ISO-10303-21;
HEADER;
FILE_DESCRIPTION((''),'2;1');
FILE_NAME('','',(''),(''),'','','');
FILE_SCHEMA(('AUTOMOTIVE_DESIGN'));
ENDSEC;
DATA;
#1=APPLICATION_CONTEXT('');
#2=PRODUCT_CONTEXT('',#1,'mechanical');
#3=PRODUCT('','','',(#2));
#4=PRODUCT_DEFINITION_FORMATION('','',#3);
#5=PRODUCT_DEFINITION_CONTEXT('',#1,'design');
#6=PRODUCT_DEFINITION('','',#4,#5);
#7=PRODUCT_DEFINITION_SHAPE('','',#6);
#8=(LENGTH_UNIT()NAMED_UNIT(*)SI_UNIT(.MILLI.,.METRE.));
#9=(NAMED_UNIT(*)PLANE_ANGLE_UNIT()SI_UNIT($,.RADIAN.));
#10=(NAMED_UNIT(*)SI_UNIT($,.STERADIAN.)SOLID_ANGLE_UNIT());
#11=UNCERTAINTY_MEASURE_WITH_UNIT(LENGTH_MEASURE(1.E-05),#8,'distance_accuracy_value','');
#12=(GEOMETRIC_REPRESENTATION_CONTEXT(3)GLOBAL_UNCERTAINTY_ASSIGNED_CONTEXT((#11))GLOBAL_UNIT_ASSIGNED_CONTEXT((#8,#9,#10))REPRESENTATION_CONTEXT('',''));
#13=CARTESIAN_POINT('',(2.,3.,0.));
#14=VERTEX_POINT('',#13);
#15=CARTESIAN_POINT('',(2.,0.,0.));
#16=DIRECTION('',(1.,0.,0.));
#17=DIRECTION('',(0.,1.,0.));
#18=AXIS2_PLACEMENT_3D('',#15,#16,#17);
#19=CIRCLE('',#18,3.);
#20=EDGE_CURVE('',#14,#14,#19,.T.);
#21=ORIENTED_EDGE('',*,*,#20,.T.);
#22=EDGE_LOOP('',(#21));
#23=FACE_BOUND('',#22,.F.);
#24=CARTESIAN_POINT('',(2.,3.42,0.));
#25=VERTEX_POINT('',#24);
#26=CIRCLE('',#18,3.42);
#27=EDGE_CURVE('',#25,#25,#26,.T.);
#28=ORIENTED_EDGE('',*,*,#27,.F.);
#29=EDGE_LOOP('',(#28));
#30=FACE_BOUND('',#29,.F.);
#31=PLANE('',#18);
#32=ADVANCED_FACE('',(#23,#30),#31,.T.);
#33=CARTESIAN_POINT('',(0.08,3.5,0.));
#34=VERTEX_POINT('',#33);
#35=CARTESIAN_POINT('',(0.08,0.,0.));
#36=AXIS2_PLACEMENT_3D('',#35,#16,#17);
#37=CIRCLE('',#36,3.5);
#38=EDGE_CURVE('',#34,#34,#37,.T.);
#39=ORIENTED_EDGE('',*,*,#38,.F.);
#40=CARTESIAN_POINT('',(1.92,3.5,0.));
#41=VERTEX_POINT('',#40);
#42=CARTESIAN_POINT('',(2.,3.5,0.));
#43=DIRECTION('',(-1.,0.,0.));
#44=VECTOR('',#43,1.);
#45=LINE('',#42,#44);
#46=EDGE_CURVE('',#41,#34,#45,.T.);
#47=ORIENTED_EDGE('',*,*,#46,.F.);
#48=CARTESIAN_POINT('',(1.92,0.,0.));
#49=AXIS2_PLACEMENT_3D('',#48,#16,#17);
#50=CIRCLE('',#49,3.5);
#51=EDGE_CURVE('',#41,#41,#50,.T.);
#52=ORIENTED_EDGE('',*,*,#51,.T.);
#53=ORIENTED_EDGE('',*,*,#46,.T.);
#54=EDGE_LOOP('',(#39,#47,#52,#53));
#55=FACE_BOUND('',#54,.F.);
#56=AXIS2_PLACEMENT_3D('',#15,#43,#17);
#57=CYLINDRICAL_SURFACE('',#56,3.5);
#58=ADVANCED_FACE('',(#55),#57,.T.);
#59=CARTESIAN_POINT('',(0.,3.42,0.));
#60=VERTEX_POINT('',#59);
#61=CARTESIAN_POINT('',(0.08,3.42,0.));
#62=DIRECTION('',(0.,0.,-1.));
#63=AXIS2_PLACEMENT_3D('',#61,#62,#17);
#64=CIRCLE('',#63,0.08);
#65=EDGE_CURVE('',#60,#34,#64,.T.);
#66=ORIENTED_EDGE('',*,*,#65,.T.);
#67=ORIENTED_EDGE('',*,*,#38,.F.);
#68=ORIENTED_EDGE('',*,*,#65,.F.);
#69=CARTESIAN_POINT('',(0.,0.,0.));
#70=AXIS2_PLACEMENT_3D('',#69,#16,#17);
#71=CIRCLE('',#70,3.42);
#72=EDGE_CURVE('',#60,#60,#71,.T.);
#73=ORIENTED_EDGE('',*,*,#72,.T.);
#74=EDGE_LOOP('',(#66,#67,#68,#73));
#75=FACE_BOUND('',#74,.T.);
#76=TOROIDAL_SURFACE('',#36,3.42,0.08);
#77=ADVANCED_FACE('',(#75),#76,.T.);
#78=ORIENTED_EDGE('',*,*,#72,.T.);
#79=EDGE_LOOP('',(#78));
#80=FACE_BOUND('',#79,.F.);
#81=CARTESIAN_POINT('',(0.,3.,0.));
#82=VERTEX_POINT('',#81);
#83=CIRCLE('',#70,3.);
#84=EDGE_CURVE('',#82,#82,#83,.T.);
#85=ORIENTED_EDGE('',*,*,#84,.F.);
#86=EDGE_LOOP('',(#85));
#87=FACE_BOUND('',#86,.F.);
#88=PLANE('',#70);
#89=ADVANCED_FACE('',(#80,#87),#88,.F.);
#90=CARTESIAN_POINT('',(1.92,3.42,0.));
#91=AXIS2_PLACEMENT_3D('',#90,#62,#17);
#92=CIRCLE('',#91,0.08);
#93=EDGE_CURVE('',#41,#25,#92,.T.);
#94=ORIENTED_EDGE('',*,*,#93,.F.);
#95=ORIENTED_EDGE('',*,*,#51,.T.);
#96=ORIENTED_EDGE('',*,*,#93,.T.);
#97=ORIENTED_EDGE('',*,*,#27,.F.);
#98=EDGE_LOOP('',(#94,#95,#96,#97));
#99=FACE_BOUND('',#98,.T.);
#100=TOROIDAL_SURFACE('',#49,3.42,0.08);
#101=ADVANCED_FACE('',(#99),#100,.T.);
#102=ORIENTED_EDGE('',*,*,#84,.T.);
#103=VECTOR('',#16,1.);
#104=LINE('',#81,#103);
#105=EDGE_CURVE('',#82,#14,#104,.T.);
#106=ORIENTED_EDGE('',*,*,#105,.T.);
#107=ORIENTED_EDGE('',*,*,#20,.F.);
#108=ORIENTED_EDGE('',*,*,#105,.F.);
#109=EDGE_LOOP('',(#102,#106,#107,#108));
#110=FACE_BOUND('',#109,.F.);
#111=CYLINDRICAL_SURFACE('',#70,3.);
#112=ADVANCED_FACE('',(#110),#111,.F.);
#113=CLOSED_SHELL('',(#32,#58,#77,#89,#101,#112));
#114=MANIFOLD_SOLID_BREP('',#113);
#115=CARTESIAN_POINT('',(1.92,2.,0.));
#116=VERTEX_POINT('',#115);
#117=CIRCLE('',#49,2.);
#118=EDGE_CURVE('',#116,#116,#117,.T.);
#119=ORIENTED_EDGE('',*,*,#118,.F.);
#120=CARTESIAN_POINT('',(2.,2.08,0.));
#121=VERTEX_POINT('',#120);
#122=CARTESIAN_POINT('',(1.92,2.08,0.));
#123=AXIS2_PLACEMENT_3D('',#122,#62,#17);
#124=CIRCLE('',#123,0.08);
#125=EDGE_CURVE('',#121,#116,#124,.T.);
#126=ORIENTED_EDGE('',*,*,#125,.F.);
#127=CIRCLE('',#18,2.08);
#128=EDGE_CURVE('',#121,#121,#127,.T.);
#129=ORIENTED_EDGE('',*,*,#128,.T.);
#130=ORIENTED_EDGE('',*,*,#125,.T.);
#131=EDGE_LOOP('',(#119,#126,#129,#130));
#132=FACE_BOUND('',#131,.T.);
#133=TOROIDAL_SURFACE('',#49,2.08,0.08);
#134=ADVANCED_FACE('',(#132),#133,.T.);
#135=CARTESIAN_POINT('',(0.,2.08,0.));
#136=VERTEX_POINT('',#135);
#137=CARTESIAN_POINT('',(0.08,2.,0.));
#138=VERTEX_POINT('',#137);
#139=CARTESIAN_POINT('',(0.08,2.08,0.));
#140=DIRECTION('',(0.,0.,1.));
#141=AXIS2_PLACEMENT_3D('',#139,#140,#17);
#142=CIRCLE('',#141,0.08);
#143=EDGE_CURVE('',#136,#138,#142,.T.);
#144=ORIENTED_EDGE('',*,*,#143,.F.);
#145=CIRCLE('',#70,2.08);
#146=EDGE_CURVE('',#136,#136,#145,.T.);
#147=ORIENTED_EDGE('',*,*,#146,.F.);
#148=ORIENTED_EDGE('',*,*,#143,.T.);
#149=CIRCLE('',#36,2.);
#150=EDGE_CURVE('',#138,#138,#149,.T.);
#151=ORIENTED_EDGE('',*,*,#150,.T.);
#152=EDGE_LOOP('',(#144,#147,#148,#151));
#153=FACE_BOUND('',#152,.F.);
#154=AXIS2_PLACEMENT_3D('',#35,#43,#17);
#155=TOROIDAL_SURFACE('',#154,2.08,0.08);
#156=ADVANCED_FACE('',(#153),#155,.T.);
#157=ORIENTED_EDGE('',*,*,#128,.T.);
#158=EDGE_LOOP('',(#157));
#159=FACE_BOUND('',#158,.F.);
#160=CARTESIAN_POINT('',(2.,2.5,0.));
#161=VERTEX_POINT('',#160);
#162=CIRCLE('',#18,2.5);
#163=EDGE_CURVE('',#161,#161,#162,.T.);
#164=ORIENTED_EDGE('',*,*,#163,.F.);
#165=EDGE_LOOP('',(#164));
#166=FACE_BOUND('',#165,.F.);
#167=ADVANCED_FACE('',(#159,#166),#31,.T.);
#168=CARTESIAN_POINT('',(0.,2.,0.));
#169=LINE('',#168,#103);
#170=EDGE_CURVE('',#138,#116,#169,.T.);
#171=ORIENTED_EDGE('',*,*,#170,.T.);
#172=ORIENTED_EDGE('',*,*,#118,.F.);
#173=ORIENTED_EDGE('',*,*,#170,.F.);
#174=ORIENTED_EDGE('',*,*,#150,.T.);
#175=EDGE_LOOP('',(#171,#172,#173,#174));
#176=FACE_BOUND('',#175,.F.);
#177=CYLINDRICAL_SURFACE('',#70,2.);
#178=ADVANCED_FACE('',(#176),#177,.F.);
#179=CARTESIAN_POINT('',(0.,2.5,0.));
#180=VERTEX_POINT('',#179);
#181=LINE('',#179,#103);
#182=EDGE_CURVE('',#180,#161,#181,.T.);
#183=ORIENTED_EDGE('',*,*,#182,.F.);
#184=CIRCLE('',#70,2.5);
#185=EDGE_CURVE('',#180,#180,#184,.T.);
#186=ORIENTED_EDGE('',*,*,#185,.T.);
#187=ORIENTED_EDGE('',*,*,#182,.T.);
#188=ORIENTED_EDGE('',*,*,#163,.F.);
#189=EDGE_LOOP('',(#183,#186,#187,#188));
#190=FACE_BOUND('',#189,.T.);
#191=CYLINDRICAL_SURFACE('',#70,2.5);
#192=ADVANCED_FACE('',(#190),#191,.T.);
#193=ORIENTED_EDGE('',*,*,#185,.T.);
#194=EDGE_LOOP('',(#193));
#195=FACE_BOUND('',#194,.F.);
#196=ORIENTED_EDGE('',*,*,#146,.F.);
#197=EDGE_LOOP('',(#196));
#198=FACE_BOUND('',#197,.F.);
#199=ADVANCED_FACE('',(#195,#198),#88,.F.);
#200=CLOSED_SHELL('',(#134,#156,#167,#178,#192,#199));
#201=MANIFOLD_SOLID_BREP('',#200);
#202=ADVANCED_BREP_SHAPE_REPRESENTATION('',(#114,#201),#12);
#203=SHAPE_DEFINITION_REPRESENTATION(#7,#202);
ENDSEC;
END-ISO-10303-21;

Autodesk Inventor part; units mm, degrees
ref_plane "YZ Plane" through (0, 0, 0) normal (1, 0, 0) x (0, 1, 0)
ref_plane "XZ Plane" through (0, 0, 0) normal (0, 1, 0) x (-1, 0, 0)
ref_plane "XY Plane" through (0, 0, 0) normal (0, 0, 1) x (1, 0, 0)
sketch "Sketch" plane through (0, 0, 0) normal (0, 0, 1) x (1, 0, 0)
  line L0 (0, 0) -> (2, 0)
  line L1 (0, 0) -> (0, 2) construction
  line L2 (0, 2) -> (2, 2)
  line L3 (2, 2) -> (2, 3.5)
  line L4 (2, 3.5) -> (0, 3.5)
  line L5 (0, 3.5) -> (0, 2)
  line L6 (0, 2.75) -> (2, 2.75)
  line L7 (0, 3) -> (2, 3)
  line L8 (0, 2.5) -> (2, 2.5)
  dimension "d0" = 2
  dimension "d1" = 4
  dimension "d2" = 5
  dimension "d3" = 7
revolve "Body" add sketch "Sketch" angle 360 about axis through (0, 0, 0) along (1, 0, 0) contours L5 L8 L3 L2 | L5 L4 L3 L7
fillet "Fillet1" radius 0.08 4 edges at (0, -3.5, 0) (2, -3.5, 0) (0, -2, 0) (2, -2, 0)
equation "\"d0\" = KB"
equation "\"d1\" = WD"
equation "\"d2\" = 0.333333 * BD + 0.666667 * WD"
equation "\"d3\" = BD"
equation "\"d5\" = KRS"
equation "\"WD\" = 4"
equation "\"BD\" = 7"
equation "\"KB\" = 2"
equation "\"KRS\" = 0.08"
equation "\"BBA\" = 0"
equation "\"KR1S\" = 0.05"
equation "\"BR\" = 0.5 * BD"
equation "\"WR\" = 0.5 * WD"
properties part number "ISO 1224-1 - 17 - 4 x 7 x 2" material "Steel, Mild"
